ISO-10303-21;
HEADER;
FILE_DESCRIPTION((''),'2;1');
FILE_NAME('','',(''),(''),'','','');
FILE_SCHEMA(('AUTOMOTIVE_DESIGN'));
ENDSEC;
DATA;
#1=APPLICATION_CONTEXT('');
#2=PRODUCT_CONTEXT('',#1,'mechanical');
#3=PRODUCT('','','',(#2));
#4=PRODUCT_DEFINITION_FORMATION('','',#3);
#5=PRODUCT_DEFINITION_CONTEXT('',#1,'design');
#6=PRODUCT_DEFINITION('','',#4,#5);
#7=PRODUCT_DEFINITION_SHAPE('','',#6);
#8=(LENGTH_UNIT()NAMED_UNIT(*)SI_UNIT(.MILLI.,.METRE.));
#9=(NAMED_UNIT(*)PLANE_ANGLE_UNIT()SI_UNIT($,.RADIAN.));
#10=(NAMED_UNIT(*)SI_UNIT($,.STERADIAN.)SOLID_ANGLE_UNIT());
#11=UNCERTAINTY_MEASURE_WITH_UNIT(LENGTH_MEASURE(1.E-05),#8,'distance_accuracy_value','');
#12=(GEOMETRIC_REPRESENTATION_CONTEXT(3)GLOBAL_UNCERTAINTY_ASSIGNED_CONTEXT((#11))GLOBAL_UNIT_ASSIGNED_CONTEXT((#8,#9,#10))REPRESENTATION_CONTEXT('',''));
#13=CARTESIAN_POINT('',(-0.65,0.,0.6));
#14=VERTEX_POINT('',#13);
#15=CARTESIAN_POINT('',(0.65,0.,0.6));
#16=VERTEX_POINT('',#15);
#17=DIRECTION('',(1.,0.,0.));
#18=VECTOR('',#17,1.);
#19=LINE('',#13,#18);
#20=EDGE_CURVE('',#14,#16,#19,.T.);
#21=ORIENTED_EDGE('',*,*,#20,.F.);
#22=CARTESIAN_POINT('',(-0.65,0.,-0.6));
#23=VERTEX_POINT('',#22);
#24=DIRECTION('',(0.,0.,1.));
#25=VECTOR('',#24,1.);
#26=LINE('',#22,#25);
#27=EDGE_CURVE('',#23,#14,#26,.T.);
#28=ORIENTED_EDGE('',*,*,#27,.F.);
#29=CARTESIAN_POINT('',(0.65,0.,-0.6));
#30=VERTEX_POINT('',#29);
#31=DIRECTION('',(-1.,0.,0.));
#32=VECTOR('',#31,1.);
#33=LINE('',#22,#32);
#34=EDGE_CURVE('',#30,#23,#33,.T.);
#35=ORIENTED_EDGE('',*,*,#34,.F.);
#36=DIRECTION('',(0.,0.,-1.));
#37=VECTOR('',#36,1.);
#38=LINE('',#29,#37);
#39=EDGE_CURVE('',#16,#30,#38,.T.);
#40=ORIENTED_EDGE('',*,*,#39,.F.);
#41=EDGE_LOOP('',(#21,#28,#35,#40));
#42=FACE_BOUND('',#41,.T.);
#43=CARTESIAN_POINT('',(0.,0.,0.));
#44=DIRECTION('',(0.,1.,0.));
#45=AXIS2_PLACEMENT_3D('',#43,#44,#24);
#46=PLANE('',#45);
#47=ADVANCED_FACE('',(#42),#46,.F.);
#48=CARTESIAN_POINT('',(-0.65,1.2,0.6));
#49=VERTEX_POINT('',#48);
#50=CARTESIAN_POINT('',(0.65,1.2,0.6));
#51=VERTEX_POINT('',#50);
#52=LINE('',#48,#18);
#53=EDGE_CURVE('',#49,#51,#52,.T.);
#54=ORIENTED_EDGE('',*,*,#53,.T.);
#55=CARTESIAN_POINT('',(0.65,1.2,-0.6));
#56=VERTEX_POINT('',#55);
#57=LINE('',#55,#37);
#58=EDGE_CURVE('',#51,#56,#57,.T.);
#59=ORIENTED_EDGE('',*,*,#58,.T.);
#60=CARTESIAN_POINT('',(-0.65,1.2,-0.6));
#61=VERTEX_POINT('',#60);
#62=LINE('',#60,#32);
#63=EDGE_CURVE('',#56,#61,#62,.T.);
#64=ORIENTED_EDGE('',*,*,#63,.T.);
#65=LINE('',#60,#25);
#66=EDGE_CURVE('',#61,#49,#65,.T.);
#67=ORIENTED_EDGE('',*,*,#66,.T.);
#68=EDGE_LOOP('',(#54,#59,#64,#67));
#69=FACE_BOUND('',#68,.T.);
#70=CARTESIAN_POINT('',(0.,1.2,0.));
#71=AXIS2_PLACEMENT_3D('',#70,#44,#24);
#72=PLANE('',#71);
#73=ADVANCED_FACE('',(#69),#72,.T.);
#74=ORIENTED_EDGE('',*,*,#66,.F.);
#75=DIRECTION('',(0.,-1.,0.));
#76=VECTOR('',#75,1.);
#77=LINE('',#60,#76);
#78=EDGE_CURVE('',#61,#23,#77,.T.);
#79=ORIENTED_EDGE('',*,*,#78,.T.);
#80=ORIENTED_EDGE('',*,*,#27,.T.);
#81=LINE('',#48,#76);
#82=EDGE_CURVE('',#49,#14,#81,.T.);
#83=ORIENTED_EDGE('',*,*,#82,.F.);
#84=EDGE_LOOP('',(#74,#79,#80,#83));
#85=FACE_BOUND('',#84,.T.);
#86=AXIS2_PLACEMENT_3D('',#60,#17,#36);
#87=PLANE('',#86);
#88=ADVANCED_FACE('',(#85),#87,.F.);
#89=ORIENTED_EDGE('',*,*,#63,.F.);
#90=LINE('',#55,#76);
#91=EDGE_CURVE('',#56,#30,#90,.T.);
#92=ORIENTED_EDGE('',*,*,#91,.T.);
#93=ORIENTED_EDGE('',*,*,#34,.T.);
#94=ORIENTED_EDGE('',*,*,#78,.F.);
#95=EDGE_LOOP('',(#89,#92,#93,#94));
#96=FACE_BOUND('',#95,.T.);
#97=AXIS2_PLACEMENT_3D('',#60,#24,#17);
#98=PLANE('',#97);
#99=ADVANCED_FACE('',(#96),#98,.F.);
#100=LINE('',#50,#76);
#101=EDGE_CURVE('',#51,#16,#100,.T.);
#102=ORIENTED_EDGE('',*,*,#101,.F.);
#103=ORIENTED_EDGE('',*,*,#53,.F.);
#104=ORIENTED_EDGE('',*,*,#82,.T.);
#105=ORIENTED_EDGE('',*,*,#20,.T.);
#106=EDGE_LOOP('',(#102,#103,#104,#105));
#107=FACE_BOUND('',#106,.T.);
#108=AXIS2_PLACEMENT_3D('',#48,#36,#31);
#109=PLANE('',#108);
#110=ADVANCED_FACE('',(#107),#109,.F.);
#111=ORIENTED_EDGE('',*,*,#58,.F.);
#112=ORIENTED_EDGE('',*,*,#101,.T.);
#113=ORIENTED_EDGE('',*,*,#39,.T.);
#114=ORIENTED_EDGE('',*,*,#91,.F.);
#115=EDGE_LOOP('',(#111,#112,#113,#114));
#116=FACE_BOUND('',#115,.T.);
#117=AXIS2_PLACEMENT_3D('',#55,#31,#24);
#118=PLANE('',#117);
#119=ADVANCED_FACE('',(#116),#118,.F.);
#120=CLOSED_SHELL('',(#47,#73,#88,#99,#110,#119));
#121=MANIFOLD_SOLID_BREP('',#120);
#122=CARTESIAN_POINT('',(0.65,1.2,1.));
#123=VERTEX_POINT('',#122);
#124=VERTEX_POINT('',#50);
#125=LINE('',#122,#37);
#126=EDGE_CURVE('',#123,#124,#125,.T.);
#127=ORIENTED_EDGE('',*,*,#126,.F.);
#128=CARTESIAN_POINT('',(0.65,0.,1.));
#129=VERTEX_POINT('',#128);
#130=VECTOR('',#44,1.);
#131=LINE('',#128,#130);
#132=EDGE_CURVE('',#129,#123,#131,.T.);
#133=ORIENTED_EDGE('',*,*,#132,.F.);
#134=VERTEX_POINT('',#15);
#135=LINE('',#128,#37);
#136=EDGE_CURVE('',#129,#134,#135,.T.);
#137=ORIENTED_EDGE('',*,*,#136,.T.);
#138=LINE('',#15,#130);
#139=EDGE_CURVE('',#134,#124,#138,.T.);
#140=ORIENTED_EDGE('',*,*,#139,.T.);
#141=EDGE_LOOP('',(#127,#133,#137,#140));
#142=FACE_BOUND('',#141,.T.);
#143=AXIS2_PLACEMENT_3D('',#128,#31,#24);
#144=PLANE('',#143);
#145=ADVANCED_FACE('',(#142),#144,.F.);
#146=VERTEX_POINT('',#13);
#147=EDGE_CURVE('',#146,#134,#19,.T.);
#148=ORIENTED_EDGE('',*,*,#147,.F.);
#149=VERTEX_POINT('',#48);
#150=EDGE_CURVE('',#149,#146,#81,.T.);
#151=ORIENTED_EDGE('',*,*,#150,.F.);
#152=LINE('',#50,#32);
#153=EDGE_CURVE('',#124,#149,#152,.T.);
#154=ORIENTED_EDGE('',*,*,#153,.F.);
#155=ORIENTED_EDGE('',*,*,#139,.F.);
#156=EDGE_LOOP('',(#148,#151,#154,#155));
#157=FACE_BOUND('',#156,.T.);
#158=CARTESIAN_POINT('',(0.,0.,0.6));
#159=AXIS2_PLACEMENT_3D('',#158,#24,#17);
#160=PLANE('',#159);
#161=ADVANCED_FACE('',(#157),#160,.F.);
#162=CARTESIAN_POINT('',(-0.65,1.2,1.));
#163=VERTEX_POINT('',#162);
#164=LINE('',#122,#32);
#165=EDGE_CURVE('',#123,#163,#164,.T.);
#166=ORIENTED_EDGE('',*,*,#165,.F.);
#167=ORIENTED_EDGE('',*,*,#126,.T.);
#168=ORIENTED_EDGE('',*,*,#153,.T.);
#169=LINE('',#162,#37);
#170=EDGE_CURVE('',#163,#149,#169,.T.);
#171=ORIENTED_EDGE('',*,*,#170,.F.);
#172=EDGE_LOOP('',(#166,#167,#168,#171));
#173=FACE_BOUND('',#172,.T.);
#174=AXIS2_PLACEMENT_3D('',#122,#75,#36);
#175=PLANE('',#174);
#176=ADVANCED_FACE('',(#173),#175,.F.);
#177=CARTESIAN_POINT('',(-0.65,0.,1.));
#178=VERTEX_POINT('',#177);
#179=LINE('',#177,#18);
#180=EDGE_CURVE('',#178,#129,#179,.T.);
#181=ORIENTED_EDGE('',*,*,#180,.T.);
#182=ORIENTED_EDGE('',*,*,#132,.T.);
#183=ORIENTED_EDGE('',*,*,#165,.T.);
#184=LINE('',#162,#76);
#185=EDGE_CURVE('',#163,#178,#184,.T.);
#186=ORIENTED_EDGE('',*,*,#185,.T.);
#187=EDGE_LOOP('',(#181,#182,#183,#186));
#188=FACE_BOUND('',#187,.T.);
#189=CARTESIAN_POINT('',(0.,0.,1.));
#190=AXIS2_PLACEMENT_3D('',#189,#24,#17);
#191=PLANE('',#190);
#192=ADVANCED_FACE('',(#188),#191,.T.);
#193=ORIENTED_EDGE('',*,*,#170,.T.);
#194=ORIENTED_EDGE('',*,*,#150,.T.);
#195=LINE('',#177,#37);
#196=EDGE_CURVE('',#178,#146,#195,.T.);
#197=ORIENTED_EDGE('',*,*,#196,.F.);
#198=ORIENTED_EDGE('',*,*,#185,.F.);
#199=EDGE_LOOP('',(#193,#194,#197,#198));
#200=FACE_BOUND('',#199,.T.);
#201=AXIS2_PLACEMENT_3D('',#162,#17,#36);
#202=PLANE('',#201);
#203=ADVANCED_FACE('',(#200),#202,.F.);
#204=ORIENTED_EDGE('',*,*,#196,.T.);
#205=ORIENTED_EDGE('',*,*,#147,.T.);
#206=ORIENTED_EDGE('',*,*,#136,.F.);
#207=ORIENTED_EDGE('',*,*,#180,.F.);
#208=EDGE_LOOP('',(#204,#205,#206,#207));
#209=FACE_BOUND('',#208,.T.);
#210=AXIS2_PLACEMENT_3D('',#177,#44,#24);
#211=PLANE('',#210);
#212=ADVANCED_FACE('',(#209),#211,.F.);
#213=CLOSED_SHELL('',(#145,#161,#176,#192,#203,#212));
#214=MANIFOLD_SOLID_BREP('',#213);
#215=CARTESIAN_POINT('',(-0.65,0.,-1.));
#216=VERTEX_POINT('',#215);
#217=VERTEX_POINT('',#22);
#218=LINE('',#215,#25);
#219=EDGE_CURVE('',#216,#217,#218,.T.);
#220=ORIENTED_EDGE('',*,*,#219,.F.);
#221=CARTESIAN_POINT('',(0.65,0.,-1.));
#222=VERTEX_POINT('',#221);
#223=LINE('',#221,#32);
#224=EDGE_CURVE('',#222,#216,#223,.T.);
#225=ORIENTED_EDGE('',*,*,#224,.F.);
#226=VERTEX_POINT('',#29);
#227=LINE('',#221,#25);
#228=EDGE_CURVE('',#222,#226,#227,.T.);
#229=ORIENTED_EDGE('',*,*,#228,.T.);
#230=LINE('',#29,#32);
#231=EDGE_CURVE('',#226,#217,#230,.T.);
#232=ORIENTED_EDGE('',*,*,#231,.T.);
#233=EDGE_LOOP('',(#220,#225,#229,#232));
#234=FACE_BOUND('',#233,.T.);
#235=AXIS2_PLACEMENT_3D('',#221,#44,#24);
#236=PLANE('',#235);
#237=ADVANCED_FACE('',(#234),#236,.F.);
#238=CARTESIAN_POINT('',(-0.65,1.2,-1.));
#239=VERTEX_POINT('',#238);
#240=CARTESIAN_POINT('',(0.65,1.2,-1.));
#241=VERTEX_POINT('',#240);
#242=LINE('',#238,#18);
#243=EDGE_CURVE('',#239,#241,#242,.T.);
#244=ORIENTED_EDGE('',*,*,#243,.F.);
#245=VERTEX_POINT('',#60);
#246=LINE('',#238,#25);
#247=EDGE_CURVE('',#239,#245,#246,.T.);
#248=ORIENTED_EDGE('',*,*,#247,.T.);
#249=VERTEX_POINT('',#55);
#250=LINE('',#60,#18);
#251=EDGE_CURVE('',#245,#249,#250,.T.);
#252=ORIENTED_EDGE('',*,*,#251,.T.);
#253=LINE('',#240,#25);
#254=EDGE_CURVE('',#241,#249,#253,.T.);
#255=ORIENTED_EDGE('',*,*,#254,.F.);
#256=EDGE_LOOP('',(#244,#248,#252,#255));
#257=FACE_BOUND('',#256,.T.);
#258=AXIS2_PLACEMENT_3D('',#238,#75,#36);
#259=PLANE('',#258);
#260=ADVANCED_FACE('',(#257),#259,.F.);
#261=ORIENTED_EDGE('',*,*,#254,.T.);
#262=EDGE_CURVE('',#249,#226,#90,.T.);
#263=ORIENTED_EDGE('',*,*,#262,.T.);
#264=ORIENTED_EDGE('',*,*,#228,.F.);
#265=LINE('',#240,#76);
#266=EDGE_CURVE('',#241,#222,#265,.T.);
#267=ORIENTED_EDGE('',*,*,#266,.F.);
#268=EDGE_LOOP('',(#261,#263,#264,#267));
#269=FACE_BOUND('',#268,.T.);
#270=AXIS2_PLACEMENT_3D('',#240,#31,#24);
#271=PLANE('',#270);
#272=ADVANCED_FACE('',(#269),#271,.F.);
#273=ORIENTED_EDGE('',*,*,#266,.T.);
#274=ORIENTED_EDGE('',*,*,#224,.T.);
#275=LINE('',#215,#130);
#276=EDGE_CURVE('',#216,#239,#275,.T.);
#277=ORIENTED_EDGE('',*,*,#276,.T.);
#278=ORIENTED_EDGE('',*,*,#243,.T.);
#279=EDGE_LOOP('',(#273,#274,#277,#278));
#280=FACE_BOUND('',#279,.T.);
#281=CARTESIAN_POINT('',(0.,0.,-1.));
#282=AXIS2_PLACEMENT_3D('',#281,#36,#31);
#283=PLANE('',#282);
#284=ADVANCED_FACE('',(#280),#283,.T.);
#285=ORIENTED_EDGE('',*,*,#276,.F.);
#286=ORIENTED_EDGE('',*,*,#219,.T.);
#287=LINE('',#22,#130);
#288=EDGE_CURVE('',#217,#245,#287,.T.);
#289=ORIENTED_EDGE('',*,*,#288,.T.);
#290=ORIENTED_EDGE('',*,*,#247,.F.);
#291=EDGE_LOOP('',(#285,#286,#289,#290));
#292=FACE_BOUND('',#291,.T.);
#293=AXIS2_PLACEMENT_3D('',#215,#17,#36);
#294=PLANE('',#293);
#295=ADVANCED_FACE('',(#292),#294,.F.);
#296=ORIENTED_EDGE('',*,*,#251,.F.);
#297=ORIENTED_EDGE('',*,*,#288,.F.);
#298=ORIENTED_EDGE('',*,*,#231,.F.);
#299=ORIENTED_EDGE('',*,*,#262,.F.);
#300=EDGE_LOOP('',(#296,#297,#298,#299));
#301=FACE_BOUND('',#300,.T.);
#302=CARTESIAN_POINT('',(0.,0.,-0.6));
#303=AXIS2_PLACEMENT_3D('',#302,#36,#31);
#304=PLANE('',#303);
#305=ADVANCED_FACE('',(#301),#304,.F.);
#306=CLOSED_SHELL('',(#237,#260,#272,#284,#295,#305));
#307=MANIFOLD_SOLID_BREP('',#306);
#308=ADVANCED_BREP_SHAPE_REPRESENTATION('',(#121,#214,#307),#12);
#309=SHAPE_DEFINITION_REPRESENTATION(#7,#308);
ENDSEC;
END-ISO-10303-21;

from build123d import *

# Parameters (mm, degrees)
SKETCH1_W  = 1.3
SKETCH1_H  = 1.2
MB_DEPTH   = 1.2
SKETCH2_W  = 1.3
SKETCH2_H  = 1.2
SB_L_DEPTH = 0.4
SKETCH3_W  = 1.3
SKETCH3_H  = 1.2
SB_R_DEPTH = 0.4


with BuildPart() as part:
    # Sketch1 → MB (new body)
    with BuildSketch(Plane(origin=(0, 0, 0), x_dir=(1, 0, 0), z_dir=(0, 1, 0))):
        Rectangle(SKETCH1_W, SKETCH1_H)
    extrude(amount=MB_DEPTH)


with BuildPart() as body_2:
    # Sketch2 → SB L (new body)
    with BuildSketch(Plane.XY.offset(0.6)):
        with Locations((0, 0.6)):
            Rectangle(SKETCH2_W, SKETCH2_H)
    extrude(amount=SB_L_DEPTH)


with BuildPart() as body_3:
    # Sketch3 → SB R (new body)
    with BuildSketch(Plane(origin=(0, 0, -0.6), x_dir=(-1, 0, 0), z_dir=(0, 0, -1))):
        with Locations((0, 0.6)):
            Rectangle(SKETCH3_W, SKETCH3_H)
    extrude(amount=SB_R_DEPTH)


solid = Compound([part.part, body_2.part, body_3.part])
